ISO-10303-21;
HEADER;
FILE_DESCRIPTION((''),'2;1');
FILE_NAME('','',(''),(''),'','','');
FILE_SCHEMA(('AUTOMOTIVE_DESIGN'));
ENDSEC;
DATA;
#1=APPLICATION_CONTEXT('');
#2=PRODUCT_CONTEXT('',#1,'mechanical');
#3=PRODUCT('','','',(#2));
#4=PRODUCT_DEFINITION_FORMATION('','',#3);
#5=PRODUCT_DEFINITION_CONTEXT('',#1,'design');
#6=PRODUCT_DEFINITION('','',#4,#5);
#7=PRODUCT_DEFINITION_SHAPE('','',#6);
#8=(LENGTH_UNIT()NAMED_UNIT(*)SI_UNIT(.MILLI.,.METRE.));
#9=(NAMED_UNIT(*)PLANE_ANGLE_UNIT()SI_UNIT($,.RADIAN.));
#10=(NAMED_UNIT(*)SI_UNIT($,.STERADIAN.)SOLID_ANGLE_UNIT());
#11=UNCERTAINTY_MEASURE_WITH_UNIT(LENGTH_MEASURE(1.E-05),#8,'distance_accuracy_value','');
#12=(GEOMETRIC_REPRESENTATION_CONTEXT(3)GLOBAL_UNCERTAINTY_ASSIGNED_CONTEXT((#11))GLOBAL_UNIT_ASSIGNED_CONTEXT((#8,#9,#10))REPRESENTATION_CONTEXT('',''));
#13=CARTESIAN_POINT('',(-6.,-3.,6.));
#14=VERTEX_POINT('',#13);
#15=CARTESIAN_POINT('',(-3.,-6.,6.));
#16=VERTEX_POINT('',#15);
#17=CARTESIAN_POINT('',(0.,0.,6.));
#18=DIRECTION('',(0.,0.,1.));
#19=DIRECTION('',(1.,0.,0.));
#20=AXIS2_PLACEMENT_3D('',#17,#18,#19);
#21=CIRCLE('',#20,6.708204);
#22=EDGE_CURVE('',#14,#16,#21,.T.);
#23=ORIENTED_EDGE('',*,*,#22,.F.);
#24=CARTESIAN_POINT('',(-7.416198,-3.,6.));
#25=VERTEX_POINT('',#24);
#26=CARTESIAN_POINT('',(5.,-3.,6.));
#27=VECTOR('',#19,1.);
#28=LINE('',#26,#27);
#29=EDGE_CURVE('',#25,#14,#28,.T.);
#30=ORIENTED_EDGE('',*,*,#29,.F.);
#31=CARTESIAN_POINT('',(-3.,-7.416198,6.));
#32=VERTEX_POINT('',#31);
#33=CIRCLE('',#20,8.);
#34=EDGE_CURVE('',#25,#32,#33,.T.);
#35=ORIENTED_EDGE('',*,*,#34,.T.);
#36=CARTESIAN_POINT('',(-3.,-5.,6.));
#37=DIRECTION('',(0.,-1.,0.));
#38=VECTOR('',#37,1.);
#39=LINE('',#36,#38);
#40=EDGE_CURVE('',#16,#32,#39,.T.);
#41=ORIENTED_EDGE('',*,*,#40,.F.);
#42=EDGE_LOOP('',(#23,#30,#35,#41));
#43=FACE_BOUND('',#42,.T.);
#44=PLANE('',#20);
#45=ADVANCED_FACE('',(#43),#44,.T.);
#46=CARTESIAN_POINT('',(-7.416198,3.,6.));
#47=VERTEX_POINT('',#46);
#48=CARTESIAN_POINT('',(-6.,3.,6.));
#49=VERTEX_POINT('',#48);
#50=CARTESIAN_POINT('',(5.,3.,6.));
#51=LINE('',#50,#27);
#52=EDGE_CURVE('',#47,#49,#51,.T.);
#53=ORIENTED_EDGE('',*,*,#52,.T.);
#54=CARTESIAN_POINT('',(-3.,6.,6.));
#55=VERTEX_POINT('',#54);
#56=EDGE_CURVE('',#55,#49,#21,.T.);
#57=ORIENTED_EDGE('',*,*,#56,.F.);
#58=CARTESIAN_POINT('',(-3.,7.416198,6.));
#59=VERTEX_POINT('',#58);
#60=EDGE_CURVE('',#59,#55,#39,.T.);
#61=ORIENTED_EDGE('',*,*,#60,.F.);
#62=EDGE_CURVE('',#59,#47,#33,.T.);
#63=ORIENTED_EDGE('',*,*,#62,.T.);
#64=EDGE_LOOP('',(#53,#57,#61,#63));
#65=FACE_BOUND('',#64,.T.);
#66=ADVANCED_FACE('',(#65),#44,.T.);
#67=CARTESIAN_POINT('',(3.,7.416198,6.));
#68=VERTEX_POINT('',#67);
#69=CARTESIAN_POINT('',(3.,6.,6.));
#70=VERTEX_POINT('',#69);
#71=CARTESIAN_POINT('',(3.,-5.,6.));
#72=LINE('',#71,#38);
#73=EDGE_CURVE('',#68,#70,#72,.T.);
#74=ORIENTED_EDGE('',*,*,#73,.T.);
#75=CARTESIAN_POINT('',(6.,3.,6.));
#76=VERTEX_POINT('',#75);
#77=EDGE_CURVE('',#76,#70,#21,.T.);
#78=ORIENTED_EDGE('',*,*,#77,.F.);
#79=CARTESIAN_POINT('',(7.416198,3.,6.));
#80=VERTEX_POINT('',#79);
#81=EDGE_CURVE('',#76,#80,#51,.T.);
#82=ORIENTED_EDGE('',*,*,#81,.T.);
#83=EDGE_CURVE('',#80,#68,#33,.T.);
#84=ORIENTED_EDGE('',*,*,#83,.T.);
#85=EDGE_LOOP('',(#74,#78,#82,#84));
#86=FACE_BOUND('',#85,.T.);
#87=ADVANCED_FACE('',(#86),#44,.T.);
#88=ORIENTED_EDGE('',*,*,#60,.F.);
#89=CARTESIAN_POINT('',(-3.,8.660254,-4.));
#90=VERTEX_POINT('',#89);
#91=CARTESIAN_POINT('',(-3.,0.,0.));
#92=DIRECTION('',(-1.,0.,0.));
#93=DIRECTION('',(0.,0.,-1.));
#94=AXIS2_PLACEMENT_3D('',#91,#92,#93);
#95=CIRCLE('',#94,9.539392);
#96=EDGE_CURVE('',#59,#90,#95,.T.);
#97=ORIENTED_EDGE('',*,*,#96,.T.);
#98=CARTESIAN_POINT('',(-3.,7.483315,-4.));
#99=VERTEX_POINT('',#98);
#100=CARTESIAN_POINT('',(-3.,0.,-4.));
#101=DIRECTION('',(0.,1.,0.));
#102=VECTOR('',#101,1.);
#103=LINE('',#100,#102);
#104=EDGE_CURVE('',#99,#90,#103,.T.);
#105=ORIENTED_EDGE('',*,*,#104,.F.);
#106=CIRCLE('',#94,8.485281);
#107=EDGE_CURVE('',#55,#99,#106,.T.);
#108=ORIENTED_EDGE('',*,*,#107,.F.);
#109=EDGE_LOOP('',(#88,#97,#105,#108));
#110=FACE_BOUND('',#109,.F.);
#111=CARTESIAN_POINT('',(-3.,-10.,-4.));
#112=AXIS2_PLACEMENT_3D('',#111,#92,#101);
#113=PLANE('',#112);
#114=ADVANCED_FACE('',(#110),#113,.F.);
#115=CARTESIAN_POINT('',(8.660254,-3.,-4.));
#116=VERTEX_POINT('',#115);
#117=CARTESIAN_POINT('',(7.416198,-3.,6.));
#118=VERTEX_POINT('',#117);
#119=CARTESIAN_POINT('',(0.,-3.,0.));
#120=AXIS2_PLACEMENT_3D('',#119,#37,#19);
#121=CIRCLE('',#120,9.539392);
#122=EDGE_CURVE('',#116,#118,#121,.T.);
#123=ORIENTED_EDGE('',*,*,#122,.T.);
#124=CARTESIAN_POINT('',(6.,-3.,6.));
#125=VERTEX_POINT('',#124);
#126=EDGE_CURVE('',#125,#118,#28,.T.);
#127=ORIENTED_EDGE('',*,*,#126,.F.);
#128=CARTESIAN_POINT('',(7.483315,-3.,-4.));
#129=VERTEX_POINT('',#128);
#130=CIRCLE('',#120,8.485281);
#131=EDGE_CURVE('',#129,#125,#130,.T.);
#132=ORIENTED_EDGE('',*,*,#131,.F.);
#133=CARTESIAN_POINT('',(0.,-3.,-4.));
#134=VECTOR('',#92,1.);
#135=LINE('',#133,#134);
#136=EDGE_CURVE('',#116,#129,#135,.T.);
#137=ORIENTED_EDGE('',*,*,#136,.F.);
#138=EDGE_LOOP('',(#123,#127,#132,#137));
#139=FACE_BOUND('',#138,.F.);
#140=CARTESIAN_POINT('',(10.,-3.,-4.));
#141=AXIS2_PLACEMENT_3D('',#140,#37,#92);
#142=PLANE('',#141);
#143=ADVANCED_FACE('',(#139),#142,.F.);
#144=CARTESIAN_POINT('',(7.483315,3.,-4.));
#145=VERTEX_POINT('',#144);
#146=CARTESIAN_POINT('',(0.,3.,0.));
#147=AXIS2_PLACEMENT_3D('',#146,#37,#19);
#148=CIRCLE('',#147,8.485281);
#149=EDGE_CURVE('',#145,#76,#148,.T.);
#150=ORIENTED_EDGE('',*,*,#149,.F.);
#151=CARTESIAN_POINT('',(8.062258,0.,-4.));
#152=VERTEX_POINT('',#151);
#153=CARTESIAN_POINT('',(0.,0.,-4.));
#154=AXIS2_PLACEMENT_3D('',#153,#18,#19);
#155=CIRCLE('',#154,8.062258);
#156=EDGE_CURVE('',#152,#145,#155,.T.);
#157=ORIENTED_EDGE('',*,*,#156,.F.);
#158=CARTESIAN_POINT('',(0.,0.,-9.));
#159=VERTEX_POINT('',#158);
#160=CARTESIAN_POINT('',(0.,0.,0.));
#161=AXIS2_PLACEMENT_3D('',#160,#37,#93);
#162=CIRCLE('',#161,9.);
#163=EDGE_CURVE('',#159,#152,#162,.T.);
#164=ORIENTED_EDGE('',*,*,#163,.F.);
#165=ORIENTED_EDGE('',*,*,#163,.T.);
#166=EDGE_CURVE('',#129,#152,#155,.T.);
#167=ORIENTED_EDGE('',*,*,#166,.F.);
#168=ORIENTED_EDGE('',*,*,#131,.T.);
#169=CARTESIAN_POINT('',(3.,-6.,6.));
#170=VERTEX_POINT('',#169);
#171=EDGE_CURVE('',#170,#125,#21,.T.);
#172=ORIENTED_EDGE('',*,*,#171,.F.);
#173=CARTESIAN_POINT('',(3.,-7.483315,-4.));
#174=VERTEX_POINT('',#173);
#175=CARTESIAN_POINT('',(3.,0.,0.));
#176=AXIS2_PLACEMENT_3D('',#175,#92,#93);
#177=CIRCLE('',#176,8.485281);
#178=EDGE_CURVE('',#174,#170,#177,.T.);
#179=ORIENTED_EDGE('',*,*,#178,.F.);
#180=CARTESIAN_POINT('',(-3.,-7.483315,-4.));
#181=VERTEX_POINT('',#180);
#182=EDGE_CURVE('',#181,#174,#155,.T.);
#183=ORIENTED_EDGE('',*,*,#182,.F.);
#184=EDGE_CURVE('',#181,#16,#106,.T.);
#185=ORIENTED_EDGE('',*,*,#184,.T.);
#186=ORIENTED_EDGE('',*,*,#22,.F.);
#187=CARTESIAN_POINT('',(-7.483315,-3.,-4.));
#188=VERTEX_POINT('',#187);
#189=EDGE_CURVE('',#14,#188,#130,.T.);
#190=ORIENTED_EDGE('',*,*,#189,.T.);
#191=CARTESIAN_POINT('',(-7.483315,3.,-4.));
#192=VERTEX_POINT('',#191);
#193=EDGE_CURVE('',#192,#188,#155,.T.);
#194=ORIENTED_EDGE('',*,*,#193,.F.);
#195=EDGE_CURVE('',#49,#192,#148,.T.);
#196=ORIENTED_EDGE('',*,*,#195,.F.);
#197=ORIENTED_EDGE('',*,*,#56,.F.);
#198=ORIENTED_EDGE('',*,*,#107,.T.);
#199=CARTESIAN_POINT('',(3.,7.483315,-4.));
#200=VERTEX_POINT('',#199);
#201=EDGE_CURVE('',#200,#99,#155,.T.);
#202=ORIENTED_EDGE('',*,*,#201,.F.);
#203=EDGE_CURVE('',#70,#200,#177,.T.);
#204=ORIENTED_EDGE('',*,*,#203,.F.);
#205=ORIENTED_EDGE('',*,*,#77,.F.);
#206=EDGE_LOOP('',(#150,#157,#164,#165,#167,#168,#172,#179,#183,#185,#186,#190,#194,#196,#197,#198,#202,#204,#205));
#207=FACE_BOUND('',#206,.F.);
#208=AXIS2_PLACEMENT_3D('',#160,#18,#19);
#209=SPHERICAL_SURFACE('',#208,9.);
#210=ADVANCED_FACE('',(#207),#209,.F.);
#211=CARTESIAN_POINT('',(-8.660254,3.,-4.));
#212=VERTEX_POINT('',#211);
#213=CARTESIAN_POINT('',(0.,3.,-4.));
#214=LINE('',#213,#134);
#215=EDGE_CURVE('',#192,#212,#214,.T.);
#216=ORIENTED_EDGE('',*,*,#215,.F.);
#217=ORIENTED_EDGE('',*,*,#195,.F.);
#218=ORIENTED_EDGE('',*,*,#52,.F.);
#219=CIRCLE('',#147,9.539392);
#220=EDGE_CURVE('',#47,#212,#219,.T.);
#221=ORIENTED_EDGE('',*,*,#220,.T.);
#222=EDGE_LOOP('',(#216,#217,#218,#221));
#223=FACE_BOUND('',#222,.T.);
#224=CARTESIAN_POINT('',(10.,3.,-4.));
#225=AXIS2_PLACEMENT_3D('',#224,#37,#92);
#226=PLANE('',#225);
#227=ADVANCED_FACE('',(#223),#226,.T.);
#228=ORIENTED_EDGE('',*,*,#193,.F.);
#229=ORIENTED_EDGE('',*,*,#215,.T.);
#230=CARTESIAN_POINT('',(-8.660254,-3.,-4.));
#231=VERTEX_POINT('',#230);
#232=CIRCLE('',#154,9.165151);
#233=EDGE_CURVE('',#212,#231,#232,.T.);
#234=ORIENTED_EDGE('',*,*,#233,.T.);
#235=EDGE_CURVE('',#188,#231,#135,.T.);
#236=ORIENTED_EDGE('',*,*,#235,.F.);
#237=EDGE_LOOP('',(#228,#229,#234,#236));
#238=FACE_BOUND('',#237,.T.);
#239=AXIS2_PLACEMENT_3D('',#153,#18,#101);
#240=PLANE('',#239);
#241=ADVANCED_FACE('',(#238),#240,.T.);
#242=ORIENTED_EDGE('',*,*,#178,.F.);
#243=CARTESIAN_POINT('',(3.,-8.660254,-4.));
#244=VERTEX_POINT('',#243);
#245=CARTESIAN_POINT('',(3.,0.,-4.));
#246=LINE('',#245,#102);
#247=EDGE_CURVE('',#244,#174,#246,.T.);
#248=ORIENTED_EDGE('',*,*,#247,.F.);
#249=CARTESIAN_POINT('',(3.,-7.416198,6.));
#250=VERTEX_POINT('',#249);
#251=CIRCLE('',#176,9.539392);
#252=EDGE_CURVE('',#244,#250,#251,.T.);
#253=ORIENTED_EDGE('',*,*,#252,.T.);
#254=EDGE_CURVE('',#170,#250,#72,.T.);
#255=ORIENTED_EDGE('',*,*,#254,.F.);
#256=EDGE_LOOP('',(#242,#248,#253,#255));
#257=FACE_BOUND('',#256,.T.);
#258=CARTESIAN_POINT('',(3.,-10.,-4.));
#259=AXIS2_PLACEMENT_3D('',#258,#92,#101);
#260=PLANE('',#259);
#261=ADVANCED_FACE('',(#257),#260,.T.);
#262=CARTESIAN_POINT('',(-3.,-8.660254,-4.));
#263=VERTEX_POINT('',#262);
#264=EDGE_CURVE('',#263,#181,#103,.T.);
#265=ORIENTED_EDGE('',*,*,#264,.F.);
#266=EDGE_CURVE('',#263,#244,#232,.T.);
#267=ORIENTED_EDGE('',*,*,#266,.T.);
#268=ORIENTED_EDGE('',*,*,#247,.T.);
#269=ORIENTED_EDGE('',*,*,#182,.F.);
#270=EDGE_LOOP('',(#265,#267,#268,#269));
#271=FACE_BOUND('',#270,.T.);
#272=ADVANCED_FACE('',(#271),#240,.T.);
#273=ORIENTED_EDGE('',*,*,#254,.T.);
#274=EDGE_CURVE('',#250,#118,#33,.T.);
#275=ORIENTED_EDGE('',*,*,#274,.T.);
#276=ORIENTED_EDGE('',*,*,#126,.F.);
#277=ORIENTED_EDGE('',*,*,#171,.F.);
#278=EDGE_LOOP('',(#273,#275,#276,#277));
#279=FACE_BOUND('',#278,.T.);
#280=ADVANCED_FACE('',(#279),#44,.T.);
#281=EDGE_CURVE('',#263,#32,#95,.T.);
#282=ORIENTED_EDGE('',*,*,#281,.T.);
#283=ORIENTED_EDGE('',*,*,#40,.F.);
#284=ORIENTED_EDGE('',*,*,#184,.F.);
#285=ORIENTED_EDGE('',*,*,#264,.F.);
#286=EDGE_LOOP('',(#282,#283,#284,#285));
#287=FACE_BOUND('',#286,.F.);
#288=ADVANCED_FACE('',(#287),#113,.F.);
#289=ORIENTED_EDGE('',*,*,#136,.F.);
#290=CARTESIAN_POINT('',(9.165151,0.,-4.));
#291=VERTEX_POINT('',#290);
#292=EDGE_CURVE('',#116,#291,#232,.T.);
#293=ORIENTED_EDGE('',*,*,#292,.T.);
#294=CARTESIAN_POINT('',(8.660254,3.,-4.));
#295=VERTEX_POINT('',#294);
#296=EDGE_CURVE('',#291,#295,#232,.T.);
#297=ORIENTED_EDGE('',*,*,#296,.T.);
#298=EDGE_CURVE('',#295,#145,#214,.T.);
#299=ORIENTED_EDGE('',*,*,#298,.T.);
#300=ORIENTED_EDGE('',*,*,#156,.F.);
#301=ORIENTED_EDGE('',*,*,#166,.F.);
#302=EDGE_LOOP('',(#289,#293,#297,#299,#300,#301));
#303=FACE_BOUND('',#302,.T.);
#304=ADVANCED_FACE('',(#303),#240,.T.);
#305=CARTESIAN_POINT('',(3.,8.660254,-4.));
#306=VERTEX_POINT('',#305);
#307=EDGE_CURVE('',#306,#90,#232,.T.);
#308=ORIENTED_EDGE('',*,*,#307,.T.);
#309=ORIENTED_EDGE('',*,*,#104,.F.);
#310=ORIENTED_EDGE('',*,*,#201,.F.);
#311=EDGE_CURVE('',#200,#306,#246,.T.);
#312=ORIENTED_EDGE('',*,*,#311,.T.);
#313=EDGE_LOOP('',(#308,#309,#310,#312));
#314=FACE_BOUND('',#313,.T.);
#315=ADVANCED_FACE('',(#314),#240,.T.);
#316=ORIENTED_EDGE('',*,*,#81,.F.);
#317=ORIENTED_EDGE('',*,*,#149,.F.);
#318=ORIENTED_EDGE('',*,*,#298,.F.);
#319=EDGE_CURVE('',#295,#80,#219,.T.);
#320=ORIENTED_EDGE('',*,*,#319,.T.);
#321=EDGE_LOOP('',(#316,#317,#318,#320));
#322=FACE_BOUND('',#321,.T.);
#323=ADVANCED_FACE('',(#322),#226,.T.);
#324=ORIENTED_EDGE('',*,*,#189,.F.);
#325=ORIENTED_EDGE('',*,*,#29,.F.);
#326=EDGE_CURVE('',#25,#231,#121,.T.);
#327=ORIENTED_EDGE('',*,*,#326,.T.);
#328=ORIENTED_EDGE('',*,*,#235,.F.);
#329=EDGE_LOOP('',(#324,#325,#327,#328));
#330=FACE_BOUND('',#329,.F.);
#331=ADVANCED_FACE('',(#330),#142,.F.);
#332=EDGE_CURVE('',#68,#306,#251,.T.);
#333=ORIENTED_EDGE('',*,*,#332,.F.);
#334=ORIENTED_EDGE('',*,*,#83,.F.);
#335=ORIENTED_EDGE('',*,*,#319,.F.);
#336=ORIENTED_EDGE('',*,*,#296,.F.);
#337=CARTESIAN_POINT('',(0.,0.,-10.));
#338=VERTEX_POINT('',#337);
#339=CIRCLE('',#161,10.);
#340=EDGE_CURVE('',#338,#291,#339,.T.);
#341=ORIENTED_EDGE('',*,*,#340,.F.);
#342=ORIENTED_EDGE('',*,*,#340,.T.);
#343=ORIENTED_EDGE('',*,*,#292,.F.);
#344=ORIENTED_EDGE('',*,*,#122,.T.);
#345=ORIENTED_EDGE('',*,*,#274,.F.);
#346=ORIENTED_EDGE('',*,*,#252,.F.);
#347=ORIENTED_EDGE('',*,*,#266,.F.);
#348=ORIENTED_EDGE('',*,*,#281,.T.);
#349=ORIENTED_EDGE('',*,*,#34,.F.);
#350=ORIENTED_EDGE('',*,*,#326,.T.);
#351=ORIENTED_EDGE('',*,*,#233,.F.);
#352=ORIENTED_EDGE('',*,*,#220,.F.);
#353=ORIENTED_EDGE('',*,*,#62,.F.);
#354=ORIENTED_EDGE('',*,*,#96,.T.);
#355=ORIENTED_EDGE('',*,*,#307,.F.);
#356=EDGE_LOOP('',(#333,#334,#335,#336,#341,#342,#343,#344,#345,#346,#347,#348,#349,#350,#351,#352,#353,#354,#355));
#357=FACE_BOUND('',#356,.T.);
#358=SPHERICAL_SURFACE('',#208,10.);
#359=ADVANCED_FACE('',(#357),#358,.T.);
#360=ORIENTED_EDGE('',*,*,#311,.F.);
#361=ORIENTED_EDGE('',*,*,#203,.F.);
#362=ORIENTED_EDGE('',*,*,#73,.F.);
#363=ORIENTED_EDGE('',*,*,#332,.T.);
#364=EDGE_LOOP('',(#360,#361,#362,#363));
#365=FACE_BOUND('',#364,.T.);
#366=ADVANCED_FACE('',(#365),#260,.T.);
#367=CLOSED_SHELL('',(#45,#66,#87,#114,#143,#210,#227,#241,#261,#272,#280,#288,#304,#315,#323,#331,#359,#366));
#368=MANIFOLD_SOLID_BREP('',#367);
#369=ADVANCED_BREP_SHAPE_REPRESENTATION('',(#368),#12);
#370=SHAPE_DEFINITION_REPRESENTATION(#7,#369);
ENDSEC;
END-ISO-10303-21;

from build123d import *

# Parameters (mm, degrees)
BOX004_W               = 6
BOX004_H               = 20
BOX004_DEPTH           = 20
BOX004_PLACEMENT_ANGLE = 90
BOX003_W               = 6
BOX003_H               = 20
BOX003_DEPTH           = 20
BOX001_W               = 20
BOX001_H               = 20
BOX001_DEPTH           = 20
THICKNESS_T            = -1


with BuildPart() as cube004:
    # Box004 → Box004 (new body)
    with BuildSketch(Plane.XY):
        with Locations((3, 10)):
            Rectangle(BOX004_W, BOX004_H)
    extrude(amount=BOX004_DEPTH)


with BuildPart() as cube004_1:
    # Box004 placement: moved
    add(cube004.part.moved(Location((10, -3, -4))).rotate(Axis((10, -3, -4), (0, 0, 1)), BOX004_PLACEMENT_ANGLE))


with BuildPart() as fusion:
    # Box003 → Box003 (new body)
    with BuildSketch(Plane(origin=(-3, -10, -4), x_dir=(1, 0, 0), z_dir=(0, 0, 1))):
        with Locations((3, 10)):
            Rectangle(BOX003_W, BOX003_H)
    extrude(amount=BOX003_DEPTH)

    # Fusion: union Cube004
    add(cube004_1.part)


with BuildPart() as cube001:
    # Box001 → Box001 (new body)
    with BuildSketch(Plane(origin=(-10, -10, 6), x_dir=(1, 0, 0), z_dir=(0, 0, 1))):
        with Locations((10, 10)):
            Rectangle(BOX001_W, BOX001_H)
    extrude(amount=BOX001_DEPTH)


with BuildPart() as cut001:
    # Sphere → Sphere (revolve)
    with BuildSketch(Plane.XZ):
        with BuildLine():
            ThreePointArc((0, -10), (10, 0), (0, 10))
            Line((0, 10), (0, -10))
        make_face()
    revolve(axis=Axis((0, 0, 0), (0, 0, 1)))

    # Cut: cut Cube001
    add(cube001.part, mode=Mode.SUBTRACT)

    # Thickness
    thickness_openings = [cut001.faces().sort_by_distance(p)[0] for p in [
        (0, 0, 6),
    ]]
    offset(amount=THICKNESS_T, openings=thickness_openings, kind=Kind.INTERSECTION)

    # Cut001: cut Fusion
    add(fusion.part, mode=Mode.SUBTRACT)


solid = cut001.part
